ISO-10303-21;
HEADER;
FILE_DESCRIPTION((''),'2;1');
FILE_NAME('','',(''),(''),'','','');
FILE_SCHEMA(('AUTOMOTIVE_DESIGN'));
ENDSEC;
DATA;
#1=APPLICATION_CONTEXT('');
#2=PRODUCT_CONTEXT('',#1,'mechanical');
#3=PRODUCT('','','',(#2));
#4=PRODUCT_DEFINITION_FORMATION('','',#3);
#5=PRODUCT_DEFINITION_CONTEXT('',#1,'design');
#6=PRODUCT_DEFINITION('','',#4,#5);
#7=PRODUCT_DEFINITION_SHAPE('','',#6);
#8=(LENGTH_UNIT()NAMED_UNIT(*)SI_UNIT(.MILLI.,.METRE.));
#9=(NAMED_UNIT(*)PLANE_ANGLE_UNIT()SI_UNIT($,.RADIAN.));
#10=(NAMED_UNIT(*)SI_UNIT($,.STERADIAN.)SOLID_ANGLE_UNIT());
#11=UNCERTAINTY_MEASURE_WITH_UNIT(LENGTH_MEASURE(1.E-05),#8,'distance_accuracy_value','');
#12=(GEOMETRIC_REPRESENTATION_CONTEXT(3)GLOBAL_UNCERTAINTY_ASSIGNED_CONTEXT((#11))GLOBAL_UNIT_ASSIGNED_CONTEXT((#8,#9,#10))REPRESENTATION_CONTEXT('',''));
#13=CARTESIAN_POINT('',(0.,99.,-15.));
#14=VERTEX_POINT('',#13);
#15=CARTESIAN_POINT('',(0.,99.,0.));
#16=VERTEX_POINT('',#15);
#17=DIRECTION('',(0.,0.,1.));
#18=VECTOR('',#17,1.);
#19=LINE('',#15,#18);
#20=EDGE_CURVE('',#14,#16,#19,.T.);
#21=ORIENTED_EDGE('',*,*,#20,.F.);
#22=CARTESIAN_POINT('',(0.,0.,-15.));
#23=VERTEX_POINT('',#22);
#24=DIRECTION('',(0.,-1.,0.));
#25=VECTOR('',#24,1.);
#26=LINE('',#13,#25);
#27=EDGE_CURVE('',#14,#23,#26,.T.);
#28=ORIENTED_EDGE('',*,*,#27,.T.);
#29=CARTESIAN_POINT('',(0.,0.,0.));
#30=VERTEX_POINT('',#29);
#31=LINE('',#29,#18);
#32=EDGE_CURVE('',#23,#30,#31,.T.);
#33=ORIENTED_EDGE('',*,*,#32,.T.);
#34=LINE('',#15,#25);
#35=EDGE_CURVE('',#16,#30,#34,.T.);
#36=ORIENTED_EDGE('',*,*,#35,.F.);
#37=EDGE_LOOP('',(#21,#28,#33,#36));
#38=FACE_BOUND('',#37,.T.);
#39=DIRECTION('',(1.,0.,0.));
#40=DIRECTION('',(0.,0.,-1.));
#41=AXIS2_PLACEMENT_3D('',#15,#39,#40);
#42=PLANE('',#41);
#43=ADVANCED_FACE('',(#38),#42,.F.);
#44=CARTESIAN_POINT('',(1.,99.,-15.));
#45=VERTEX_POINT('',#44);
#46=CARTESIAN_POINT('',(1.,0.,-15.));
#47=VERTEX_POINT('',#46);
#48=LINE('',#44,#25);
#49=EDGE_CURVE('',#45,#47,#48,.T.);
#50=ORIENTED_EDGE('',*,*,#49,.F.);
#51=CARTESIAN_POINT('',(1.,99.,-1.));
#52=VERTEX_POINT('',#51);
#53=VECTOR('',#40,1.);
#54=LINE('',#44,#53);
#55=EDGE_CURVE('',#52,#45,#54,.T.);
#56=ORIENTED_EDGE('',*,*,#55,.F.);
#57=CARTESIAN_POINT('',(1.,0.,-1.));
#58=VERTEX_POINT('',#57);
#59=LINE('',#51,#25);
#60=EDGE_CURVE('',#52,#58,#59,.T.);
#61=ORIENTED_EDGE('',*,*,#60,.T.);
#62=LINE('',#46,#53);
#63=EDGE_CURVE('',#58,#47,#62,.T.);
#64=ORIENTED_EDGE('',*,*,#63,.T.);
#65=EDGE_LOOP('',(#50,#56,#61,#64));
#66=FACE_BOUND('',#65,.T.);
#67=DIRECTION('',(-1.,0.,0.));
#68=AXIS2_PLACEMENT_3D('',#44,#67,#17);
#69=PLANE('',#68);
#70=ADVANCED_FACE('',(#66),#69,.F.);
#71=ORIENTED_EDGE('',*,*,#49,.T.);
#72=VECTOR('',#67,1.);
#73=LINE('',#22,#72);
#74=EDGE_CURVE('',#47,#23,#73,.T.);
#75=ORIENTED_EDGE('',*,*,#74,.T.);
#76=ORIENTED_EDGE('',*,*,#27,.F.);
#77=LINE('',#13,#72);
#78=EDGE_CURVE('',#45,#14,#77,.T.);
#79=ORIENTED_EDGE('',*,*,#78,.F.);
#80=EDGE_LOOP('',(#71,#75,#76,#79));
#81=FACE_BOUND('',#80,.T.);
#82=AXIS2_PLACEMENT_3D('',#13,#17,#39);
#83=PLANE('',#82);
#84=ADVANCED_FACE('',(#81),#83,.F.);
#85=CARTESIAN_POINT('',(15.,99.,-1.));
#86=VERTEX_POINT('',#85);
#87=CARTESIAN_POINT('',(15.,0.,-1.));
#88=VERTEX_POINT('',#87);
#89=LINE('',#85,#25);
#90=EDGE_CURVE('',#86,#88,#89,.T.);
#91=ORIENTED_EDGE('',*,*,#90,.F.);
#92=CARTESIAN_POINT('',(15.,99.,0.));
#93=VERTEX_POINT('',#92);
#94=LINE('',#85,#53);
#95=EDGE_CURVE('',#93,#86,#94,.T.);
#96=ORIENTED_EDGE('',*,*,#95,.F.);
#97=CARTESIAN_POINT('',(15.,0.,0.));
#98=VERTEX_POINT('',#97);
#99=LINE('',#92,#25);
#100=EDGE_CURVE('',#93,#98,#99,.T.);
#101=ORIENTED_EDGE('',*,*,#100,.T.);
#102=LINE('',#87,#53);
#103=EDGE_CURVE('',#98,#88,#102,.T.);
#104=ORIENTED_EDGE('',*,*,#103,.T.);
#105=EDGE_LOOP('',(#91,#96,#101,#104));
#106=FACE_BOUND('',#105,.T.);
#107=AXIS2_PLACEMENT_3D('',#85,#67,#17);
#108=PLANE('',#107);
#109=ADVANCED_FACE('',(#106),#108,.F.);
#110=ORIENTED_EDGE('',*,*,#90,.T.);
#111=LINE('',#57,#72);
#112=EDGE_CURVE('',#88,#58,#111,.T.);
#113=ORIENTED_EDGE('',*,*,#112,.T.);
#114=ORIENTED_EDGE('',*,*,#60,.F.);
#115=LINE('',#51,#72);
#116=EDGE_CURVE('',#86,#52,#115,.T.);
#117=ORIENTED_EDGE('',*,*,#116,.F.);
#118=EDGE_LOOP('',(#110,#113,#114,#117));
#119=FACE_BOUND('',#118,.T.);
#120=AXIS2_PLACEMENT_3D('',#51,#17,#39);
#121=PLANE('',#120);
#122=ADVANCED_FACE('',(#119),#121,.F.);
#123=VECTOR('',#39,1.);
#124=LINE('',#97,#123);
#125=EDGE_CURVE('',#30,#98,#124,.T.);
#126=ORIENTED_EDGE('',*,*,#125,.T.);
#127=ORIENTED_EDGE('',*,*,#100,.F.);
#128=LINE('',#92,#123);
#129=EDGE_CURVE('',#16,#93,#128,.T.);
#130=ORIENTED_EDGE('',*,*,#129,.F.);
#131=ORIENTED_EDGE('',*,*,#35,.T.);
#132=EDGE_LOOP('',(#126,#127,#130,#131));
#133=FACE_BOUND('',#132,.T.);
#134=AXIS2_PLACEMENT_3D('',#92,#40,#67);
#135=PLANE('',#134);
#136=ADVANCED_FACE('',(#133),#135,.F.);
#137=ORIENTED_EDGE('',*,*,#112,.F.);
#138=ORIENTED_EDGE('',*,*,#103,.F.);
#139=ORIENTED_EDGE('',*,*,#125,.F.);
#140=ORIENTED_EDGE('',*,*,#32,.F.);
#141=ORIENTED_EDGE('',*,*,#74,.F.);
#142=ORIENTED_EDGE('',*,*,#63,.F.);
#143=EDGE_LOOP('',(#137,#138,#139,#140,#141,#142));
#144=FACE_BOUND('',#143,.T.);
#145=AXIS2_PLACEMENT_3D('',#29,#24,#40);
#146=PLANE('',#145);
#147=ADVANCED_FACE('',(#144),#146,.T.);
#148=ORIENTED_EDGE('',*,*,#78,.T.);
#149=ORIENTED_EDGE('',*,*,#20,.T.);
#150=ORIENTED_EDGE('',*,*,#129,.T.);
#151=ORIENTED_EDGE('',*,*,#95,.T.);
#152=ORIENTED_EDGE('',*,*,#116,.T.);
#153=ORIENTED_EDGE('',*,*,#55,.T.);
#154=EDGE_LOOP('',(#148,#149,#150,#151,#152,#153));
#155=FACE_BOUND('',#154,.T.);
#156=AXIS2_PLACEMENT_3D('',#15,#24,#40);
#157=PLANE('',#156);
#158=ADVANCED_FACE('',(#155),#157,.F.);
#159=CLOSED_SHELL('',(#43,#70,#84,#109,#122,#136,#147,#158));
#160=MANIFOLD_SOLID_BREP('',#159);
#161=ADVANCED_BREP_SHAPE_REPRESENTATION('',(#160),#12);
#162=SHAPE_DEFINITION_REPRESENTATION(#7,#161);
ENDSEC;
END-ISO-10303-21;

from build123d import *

# Parameters (mm, degrees)
EXTRUDE_1_DEPTH = 99


with BuildPart() as part:
    # Эскиз1 → Бобышка-Вытянуть1 (new body)
    with BuildSketch(Plane(origin=(0, 0, 0), x_dir=(1, 0, 0), z_dir=(0, 1, 0))):
        Polygon((0, 0), (0, 15), (1, 15), (1, 1), (15, 1), (15, 0), align=None)
    extrude(amount=EXTRUDE_1_DEPTH)


solid = part.part
